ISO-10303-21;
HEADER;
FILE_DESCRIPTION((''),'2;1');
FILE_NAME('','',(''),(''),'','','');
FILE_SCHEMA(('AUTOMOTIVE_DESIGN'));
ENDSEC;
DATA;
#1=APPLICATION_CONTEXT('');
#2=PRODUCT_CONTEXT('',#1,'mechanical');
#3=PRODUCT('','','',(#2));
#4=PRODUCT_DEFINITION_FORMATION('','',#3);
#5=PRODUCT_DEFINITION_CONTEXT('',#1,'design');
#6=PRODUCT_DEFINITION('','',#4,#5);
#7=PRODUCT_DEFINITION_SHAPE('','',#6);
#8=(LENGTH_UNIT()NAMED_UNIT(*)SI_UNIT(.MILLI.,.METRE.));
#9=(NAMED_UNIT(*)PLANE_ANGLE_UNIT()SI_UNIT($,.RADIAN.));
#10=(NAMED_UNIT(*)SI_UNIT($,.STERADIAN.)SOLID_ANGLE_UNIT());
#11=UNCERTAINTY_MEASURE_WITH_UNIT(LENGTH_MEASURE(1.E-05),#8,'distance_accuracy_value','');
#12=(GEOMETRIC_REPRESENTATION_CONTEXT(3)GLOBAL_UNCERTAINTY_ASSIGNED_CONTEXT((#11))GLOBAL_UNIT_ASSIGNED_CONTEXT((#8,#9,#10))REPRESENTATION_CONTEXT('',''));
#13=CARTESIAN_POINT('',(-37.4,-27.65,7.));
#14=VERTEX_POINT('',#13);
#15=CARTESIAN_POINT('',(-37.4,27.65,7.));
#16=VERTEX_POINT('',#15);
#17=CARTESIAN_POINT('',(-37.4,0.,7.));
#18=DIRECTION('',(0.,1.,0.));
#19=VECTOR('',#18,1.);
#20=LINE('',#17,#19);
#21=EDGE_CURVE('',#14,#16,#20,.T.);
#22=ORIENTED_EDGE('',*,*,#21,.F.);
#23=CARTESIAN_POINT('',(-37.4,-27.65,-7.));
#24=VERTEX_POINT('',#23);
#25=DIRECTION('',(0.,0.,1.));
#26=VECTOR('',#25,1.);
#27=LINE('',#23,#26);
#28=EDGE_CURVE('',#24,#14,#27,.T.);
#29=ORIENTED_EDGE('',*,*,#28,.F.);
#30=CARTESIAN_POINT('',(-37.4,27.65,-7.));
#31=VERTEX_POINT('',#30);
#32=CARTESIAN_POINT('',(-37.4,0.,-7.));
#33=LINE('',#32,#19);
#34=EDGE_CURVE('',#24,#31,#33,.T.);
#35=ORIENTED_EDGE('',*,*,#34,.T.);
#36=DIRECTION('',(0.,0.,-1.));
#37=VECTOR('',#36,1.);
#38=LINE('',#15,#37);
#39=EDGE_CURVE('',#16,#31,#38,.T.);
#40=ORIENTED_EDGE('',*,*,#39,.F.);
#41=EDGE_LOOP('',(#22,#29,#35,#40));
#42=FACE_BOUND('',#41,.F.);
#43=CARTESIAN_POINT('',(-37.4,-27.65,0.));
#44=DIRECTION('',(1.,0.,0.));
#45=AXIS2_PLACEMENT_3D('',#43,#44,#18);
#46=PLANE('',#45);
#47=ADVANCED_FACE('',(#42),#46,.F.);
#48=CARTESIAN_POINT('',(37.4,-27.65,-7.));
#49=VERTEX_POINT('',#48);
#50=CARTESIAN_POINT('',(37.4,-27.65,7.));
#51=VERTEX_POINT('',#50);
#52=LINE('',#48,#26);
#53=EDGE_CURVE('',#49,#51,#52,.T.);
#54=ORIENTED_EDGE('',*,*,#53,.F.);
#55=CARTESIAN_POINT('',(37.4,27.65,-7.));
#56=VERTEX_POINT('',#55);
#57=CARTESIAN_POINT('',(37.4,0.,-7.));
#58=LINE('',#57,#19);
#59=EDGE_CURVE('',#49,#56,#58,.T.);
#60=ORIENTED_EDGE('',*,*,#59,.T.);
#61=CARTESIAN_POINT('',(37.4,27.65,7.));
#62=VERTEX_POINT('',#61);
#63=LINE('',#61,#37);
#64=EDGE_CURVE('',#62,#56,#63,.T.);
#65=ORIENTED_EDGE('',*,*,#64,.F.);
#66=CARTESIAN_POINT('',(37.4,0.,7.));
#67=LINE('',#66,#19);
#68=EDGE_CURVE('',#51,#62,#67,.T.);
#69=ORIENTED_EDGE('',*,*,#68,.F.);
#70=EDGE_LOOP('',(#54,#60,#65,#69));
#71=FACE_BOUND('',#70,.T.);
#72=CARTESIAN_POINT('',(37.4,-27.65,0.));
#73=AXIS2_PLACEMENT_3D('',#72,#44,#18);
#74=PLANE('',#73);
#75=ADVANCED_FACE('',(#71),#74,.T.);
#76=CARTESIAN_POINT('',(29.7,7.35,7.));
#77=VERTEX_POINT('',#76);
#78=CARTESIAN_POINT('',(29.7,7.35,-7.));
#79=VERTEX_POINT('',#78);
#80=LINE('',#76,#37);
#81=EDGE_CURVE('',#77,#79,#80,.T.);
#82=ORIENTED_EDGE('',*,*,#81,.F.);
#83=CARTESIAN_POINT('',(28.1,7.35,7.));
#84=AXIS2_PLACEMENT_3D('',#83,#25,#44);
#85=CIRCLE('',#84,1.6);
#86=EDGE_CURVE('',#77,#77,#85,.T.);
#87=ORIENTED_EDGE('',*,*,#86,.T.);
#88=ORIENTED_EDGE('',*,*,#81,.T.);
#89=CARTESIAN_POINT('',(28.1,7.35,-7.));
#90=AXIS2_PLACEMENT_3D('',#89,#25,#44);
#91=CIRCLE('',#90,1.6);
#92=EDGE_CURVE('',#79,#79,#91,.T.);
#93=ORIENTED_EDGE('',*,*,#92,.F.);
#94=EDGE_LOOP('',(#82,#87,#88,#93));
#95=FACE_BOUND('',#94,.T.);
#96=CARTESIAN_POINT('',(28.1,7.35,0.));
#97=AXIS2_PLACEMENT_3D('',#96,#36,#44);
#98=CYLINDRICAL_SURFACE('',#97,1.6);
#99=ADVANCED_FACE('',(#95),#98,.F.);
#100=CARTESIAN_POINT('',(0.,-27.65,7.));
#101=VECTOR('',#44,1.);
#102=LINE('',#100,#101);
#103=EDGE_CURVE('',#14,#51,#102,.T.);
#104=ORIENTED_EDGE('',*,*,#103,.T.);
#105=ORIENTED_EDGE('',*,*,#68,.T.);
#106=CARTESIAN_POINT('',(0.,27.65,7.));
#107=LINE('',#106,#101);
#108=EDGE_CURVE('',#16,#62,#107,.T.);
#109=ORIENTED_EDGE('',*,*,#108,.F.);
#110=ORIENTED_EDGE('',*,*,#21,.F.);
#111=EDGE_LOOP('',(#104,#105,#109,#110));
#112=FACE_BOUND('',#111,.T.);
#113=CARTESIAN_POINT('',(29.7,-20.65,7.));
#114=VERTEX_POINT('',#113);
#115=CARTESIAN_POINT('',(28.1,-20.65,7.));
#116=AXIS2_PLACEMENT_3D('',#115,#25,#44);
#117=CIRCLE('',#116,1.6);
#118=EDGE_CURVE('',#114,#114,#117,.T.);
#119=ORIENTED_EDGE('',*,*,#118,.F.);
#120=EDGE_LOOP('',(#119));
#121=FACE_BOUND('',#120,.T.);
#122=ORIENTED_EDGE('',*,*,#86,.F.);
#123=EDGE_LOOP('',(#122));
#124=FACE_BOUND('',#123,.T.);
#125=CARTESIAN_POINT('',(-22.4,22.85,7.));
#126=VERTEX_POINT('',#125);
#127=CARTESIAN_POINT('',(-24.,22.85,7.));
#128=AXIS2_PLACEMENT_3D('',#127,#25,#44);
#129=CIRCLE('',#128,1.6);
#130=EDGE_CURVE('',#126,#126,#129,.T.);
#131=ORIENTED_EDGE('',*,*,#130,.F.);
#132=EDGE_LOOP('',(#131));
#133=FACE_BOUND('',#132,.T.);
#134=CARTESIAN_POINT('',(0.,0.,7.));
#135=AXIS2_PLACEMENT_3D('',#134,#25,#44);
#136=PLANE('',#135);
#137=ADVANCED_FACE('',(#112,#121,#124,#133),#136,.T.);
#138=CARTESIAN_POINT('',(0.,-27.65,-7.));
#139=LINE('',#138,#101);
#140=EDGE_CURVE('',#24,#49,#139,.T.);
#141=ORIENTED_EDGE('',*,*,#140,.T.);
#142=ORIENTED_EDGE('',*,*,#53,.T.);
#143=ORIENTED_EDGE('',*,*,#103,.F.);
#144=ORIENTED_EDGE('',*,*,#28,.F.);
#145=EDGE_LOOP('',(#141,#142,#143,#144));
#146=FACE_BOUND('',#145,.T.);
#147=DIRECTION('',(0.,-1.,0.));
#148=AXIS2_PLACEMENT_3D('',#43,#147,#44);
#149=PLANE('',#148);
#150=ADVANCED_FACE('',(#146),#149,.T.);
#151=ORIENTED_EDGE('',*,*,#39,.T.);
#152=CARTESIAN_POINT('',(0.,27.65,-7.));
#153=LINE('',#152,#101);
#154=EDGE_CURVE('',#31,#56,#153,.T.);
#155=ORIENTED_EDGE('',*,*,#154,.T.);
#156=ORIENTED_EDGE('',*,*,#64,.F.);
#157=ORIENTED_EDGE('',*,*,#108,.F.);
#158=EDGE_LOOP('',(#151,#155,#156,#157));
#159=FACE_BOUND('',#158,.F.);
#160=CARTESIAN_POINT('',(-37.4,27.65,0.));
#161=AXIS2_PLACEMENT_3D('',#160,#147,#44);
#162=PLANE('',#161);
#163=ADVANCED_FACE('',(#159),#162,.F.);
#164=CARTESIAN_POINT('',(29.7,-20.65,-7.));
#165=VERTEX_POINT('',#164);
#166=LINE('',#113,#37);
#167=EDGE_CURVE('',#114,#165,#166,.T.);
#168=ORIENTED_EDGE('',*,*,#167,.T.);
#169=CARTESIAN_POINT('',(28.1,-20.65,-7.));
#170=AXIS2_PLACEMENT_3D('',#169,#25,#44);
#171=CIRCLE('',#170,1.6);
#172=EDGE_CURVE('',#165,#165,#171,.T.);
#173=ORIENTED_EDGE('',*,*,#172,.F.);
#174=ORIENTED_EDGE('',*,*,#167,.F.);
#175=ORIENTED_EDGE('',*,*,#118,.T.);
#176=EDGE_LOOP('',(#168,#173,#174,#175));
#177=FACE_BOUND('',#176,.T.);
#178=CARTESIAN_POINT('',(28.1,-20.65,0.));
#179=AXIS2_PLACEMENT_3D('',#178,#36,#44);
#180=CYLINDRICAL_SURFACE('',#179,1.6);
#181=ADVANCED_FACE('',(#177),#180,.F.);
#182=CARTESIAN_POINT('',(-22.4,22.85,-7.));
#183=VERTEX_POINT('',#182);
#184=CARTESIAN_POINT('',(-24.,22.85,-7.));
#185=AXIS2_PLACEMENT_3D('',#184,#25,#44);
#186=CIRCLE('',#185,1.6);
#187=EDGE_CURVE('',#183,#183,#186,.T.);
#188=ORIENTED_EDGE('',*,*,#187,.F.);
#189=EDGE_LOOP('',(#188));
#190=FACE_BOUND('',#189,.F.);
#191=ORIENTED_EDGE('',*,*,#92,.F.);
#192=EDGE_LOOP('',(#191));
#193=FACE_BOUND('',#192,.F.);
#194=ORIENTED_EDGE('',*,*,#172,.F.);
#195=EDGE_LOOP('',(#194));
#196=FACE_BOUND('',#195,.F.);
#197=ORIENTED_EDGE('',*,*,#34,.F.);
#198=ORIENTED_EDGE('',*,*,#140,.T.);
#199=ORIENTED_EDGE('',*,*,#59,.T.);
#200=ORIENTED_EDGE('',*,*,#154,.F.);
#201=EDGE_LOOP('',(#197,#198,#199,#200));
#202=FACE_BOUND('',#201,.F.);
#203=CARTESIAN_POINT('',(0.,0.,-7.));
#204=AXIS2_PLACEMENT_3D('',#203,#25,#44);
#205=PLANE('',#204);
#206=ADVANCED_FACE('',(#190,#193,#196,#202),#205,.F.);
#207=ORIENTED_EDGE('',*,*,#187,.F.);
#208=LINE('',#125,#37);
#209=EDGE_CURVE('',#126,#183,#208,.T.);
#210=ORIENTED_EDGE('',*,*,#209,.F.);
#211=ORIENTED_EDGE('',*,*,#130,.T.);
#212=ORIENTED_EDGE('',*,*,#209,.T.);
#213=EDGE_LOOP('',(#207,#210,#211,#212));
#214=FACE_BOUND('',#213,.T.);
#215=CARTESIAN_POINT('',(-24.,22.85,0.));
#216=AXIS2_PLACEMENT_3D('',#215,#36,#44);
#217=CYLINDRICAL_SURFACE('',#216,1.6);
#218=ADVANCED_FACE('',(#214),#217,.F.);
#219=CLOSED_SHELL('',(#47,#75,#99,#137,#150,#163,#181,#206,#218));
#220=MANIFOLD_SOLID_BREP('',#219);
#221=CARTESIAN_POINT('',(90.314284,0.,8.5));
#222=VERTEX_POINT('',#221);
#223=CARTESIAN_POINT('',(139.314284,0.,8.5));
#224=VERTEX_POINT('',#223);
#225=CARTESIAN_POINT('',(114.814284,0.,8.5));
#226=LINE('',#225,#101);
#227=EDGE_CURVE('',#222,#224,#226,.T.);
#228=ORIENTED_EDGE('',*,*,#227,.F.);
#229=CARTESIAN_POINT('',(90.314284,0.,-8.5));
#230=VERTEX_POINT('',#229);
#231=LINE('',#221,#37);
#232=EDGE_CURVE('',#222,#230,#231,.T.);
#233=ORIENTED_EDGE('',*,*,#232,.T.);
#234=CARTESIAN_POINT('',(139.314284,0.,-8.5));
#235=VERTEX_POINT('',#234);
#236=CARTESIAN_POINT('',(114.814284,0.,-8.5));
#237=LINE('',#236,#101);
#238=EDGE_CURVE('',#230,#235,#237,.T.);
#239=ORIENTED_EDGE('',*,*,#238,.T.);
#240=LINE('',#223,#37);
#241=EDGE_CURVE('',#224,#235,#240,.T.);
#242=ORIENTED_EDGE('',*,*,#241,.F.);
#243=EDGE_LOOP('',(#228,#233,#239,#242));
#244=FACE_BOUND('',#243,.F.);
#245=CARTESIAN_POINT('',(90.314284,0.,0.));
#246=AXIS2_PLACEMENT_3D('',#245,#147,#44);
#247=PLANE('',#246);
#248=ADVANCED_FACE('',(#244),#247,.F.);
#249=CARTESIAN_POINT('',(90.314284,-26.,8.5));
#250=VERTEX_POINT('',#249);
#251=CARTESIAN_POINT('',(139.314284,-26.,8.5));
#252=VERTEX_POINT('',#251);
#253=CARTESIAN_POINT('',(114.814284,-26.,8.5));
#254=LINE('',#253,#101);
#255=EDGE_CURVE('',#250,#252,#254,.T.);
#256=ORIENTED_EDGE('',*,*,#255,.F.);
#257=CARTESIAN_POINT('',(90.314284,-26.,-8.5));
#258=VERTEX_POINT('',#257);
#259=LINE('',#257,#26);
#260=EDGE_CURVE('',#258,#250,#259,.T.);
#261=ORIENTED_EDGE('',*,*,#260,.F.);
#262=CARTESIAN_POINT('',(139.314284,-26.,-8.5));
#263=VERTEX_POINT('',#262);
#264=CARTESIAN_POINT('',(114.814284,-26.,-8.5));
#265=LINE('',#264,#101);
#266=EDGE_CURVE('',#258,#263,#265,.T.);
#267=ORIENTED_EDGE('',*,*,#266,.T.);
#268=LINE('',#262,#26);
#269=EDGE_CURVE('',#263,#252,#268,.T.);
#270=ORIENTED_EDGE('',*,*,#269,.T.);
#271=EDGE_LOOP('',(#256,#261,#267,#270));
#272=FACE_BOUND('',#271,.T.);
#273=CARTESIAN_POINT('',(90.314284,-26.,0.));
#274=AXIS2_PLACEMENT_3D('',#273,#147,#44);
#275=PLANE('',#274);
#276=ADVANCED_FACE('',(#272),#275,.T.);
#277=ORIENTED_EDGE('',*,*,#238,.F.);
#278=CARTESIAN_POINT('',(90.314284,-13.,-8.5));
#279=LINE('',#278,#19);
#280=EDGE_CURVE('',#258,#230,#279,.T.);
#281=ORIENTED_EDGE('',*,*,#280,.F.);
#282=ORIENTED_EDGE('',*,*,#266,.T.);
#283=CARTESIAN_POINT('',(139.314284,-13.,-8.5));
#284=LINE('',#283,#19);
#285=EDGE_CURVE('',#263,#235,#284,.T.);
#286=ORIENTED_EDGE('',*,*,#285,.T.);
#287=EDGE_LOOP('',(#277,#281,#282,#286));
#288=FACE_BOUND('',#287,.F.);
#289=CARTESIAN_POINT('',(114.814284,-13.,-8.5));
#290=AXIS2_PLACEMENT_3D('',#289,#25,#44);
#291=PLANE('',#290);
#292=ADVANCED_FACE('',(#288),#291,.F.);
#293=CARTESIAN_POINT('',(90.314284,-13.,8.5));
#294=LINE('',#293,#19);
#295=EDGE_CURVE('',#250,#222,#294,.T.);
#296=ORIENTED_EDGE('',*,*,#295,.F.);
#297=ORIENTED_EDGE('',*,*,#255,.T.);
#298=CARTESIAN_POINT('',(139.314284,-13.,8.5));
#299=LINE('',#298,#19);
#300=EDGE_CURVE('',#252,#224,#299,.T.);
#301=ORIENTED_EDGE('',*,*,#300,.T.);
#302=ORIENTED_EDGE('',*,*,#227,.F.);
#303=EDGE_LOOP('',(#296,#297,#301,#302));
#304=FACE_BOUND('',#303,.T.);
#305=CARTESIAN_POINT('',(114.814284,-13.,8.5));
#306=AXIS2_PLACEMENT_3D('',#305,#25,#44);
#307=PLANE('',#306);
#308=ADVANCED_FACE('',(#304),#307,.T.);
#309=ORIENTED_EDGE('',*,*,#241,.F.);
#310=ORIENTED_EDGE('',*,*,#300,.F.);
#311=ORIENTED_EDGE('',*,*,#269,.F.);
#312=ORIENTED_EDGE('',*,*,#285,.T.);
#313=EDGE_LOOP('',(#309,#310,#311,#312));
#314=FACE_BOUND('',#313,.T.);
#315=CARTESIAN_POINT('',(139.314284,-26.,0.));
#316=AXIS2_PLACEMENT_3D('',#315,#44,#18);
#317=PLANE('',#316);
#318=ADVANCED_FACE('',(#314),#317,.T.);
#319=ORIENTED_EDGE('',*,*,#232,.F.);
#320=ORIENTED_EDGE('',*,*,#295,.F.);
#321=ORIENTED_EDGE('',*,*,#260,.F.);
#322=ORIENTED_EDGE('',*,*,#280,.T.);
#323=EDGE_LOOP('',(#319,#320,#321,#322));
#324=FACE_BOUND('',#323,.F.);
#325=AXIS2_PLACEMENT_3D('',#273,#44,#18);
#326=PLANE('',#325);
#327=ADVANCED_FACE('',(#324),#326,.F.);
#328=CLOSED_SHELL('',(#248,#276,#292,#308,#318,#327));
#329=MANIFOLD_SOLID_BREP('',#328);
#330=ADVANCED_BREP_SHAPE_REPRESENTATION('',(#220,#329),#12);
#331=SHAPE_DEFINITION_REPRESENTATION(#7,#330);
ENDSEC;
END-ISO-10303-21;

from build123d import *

# Parameters (mm, degrees)
F0_W     = 74.8
F0_H     = 55.3
F0_R     = 1.6
F1_DEPTH = 7
F2_W     = 49
F2_H     = 26
F3_DEPTH = 8.5


with BuildPart() as f1:
    # F0 (on Top) → F1 (new body, symmetric)
    with BuildSketch(Plane.XY):
        Rectangle(F0_W, F0_H)
        with Locations((28.1, -20.65)):
            Circle(F0_R, mode=Mode.SUBTRACT)
        with Locations((-24, 22.85)):
            Circle(F0_R, mode=Mode.SUBTRACT)
        with Locations((28.1, 7.35)):
            Circle(F0_R, mode=Mode.SUBTRACT)
    extrude(amount=F1_DEPTH, both=True)


with BuildPart() as f3:
    # F2 (on Top) → F3 (new body, symmetric)
    with BuildSketch(Plane.XY):
        with Locations((114.814284, -13)):
            Rectangle(F2_W, F2_H)
    extrude(amount=F3_DEPTH, both=True)


solid = Compound([f1.part, f3.part])
